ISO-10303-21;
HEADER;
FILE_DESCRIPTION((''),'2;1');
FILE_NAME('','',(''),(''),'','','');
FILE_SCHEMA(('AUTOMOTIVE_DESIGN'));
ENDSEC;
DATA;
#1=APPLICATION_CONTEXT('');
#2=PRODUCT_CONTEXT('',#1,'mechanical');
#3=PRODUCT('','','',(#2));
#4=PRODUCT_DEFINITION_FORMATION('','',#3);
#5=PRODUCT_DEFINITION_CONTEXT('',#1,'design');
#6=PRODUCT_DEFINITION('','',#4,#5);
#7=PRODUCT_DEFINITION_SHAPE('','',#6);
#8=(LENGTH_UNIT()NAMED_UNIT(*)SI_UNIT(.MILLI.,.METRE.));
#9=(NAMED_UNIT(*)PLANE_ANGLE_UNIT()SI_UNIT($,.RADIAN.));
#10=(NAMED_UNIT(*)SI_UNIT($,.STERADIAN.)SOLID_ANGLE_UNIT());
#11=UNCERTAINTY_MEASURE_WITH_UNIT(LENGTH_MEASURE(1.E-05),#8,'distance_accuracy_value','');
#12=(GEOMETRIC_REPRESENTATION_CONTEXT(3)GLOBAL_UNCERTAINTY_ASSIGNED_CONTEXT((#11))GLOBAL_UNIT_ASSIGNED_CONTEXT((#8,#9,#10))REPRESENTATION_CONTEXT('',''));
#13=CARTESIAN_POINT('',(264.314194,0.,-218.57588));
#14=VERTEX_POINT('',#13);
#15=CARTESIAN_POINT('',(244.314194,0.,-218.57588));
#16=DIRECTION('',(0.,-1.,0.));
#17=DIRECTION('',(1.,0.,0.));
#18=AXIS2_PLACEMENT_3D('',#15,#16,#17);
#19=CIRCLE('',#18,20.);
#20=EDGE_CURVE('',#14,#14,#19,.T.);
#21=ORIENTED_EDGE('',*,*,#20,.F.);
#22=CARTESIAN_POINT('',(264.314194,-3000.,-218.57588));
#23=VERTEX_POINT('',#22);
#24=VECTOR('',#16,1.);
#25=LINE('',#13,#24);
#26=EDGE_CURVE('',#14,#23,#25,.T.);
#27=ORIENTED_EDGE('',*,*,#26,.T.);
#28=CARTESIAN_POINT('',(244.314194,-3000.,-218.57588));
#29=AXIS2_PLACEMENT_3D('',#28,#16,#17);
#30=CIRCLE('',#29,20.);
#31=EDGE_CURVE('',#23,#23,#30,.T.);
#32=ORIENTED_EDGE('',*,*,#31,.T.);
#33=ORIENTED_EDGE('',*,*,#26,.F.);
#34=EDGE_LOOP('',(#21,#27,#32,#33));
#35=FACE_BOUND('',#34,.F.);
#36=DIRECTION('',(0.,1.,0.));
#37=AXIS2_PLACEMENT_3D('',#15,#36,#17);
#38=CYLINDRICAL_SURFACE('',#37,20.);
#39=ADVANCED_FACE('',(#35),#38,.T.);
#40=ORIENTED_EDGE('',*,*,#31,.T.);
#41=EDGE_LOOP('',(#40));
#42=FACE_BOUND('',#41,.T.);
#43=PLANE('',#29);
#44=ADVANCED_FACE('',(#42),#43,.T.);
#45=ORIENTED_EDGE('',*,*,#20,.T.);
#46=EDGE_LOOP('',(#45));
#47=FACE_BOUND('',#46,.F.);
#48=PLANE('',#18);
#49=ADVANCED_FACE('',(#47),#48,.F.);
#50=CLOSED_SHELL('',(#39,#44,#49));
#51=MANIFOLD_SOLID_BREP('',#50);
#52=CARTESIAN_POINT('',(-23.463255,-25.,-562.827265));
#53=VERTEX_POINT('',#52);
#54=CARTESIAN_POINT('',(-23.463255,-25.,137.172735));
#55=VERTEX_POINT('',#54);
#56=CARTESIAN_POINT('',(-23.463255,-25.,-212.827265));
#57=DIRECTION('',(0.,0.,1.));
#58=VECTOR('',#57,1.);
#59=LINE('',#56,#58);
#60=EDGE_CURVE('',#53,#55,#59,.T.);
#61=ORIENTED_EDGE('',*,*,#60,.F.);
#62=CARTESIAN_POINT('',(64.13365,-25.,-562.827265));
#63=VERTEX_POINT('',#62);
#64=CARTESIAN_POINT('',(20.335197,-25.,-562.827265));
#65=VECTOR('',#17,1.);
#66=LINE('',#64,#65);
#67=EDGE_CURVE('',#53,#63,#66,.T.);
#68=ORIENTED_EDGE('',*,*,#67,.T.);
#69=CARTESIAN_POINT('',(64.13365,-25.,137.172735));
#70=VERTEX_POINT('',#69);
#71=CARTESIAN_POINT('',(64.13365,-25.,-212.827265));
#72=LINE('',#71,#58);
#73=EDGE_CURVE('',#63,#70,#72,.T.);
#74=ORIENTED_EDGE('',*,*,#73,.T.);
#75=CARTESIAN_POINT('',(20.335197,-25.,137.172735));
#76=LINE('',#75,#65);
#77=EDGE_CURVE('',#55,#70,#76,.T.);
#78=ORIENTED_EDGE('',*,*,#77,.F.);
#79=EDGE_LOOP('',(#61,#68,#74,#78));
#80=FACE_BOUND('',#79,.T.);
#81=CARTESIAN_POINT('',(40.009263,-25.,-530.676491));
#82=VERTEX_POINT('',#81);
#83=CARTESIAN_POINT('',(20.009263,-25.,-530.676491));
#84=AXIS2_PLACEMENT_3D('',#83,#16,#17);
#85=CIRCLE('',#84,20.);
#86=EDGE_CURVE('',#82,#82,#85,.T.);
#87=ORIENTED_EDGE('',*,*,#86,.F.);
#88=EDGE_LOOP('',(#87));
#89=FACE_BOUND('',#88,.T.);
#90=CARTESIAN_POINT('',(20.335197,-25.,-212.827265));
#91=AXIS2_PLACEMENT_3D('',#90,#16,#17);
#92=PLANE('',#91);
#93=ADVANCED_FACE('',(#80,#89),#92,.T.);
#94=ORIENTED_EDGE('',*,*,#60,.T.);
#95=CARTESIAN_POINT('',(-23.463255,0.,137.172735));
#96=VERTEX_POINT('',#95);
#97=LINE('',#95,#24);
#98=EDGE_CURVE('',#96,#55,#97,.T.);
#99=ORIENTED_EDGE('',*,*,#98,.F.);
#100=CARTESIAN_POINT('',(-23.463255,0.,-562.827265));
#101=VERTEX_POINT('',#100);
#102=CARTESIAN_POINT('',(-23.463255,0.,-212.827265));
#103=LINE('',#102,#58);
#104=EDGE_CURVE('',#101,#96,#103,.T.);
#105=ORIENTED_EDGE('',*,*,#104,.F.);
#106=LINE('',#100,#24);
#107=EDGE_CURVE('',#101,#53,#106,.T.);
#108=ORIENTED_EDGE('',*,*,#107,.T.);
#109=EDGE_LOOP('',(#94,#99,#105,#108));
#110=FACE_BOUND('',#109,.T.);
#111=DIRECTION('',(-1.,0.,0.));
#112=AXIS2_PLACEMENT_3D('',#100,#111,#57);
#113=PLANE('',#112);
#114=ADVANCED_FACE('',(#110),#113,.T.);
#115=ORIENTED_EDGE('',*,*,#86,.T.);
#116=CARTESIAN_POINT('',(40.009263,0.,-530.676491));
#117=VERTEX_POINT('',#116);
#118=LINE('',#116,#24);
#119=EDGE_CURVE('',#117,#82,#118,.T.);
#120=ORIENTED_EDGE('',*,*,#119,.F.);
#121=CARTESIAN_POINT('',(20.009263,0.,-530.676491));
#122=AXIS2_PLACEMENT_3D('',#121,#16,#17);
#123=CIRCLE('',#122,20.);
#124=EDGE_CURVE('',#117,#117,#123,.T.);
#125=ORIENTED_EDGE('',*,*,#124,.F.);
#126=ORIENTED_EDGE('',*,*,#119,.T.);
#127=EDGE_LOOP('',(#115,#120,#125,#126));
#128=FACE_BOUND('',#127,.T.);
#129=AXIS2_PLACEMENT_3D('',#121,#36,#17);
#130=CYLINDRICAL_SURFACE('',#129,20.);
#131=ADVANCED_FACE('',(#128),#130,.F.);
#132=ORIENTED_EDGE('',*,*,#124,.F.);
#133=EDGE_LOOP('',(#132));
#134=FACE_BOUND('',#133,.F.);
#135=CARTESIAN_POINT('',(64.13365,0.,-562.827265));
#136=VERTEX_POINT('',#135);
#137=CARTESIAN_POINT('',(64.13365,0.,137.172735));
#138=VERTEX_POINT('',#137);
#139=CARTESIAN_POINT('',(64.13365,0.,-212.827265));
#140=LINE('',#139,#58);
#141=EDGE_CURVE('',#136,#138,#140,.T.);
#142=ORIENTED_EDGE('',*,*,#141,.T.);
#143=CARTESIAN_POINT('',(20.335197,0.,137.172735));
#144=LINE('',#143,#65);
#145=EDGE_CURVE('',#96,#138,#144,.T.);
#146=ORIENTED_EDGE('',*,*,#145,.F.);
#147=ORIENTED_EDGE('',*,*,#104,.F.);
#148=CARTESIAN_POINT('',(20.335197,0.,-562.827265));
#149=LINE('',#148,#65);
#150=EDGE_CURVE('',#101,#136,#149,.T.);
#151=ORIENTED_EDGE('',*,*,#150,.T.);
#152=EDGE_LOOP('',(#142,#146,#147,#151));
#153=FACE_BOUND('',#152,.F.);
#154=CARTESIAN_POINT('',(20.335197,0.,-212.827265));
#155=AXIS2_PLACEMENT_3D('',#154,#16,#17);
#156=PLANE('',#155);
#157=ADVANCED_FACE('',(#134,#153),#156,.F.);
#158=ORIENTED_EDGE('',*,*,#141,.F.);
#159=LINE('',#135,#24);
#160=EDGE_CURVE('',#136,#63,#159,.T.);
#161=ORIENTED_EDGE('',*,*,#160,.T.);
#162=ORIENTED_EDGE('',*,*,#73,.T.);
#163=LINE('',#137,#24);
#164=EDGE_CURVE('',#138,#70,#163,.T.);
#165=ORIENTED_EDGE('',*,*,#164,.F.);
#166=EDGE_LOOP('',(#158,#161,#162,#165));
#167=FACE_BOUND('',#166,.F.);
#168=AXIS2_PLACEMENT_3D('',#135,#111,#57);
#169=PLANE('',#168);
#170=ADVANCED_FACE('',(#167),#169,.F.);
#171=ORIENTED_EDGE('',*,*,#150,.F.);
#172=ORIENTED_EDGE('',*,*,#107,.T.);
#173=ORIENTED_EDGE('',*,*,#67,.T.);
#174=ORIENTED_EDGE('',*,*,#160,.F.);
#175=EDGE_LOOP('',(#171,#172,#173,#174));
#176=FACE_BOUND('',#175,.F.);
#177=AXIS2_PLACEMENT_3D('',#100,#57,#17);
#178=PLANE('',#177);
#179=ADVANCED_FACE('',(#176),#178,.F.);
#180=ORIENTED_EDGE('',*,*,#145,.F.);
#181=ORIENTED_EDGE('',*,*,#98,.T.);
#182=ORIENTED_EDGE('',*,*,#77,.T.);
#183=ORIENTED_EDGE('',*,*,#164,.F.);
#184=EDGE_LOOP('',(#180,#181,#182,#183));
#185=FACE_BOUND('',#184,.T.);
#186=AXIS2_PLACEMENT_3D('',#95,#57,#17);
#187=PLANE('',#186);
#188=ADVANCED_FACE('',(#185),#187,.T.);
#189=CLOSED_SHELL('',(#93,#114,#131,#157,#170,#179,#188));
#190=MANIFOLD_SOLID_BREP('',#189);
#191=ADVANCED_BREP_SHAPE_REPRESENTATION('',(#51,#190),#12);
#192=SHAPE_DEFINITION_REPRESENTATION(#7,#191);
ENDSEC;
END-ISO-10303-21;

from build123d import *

# Parameters (mm, degrees)
F0_W     = 87.596905
F0_H     = 700
F0_R     = 20
F1_DEPTH = 25
F2_R     = 20
F3_DEPTH = 3000


with BuildPart() as f1:
    # F0 (on Front) → F1 (new body)
    with BuildSketch(Plane.XZ):
        with Locations((20.335197, -212.827265)):
            Rectangle(F0_W, F0_H)
        with Locations((20.009263, -530.676491)):
            Circle(F0_R, mode=Mode.SUBTRACT)
    extrude(amount=F1_DEPTH)


with BuildPart() as f3:
    # F2 (on Front) → F3 (new body)
    with BuildSketch(Plane.XZ):
        with Locations((244.314194, -218.57588)):
            Circle(F2_R)
    extrude(amount=F3_DEPTH)


solid = Compound([f1.part, f3.part])
